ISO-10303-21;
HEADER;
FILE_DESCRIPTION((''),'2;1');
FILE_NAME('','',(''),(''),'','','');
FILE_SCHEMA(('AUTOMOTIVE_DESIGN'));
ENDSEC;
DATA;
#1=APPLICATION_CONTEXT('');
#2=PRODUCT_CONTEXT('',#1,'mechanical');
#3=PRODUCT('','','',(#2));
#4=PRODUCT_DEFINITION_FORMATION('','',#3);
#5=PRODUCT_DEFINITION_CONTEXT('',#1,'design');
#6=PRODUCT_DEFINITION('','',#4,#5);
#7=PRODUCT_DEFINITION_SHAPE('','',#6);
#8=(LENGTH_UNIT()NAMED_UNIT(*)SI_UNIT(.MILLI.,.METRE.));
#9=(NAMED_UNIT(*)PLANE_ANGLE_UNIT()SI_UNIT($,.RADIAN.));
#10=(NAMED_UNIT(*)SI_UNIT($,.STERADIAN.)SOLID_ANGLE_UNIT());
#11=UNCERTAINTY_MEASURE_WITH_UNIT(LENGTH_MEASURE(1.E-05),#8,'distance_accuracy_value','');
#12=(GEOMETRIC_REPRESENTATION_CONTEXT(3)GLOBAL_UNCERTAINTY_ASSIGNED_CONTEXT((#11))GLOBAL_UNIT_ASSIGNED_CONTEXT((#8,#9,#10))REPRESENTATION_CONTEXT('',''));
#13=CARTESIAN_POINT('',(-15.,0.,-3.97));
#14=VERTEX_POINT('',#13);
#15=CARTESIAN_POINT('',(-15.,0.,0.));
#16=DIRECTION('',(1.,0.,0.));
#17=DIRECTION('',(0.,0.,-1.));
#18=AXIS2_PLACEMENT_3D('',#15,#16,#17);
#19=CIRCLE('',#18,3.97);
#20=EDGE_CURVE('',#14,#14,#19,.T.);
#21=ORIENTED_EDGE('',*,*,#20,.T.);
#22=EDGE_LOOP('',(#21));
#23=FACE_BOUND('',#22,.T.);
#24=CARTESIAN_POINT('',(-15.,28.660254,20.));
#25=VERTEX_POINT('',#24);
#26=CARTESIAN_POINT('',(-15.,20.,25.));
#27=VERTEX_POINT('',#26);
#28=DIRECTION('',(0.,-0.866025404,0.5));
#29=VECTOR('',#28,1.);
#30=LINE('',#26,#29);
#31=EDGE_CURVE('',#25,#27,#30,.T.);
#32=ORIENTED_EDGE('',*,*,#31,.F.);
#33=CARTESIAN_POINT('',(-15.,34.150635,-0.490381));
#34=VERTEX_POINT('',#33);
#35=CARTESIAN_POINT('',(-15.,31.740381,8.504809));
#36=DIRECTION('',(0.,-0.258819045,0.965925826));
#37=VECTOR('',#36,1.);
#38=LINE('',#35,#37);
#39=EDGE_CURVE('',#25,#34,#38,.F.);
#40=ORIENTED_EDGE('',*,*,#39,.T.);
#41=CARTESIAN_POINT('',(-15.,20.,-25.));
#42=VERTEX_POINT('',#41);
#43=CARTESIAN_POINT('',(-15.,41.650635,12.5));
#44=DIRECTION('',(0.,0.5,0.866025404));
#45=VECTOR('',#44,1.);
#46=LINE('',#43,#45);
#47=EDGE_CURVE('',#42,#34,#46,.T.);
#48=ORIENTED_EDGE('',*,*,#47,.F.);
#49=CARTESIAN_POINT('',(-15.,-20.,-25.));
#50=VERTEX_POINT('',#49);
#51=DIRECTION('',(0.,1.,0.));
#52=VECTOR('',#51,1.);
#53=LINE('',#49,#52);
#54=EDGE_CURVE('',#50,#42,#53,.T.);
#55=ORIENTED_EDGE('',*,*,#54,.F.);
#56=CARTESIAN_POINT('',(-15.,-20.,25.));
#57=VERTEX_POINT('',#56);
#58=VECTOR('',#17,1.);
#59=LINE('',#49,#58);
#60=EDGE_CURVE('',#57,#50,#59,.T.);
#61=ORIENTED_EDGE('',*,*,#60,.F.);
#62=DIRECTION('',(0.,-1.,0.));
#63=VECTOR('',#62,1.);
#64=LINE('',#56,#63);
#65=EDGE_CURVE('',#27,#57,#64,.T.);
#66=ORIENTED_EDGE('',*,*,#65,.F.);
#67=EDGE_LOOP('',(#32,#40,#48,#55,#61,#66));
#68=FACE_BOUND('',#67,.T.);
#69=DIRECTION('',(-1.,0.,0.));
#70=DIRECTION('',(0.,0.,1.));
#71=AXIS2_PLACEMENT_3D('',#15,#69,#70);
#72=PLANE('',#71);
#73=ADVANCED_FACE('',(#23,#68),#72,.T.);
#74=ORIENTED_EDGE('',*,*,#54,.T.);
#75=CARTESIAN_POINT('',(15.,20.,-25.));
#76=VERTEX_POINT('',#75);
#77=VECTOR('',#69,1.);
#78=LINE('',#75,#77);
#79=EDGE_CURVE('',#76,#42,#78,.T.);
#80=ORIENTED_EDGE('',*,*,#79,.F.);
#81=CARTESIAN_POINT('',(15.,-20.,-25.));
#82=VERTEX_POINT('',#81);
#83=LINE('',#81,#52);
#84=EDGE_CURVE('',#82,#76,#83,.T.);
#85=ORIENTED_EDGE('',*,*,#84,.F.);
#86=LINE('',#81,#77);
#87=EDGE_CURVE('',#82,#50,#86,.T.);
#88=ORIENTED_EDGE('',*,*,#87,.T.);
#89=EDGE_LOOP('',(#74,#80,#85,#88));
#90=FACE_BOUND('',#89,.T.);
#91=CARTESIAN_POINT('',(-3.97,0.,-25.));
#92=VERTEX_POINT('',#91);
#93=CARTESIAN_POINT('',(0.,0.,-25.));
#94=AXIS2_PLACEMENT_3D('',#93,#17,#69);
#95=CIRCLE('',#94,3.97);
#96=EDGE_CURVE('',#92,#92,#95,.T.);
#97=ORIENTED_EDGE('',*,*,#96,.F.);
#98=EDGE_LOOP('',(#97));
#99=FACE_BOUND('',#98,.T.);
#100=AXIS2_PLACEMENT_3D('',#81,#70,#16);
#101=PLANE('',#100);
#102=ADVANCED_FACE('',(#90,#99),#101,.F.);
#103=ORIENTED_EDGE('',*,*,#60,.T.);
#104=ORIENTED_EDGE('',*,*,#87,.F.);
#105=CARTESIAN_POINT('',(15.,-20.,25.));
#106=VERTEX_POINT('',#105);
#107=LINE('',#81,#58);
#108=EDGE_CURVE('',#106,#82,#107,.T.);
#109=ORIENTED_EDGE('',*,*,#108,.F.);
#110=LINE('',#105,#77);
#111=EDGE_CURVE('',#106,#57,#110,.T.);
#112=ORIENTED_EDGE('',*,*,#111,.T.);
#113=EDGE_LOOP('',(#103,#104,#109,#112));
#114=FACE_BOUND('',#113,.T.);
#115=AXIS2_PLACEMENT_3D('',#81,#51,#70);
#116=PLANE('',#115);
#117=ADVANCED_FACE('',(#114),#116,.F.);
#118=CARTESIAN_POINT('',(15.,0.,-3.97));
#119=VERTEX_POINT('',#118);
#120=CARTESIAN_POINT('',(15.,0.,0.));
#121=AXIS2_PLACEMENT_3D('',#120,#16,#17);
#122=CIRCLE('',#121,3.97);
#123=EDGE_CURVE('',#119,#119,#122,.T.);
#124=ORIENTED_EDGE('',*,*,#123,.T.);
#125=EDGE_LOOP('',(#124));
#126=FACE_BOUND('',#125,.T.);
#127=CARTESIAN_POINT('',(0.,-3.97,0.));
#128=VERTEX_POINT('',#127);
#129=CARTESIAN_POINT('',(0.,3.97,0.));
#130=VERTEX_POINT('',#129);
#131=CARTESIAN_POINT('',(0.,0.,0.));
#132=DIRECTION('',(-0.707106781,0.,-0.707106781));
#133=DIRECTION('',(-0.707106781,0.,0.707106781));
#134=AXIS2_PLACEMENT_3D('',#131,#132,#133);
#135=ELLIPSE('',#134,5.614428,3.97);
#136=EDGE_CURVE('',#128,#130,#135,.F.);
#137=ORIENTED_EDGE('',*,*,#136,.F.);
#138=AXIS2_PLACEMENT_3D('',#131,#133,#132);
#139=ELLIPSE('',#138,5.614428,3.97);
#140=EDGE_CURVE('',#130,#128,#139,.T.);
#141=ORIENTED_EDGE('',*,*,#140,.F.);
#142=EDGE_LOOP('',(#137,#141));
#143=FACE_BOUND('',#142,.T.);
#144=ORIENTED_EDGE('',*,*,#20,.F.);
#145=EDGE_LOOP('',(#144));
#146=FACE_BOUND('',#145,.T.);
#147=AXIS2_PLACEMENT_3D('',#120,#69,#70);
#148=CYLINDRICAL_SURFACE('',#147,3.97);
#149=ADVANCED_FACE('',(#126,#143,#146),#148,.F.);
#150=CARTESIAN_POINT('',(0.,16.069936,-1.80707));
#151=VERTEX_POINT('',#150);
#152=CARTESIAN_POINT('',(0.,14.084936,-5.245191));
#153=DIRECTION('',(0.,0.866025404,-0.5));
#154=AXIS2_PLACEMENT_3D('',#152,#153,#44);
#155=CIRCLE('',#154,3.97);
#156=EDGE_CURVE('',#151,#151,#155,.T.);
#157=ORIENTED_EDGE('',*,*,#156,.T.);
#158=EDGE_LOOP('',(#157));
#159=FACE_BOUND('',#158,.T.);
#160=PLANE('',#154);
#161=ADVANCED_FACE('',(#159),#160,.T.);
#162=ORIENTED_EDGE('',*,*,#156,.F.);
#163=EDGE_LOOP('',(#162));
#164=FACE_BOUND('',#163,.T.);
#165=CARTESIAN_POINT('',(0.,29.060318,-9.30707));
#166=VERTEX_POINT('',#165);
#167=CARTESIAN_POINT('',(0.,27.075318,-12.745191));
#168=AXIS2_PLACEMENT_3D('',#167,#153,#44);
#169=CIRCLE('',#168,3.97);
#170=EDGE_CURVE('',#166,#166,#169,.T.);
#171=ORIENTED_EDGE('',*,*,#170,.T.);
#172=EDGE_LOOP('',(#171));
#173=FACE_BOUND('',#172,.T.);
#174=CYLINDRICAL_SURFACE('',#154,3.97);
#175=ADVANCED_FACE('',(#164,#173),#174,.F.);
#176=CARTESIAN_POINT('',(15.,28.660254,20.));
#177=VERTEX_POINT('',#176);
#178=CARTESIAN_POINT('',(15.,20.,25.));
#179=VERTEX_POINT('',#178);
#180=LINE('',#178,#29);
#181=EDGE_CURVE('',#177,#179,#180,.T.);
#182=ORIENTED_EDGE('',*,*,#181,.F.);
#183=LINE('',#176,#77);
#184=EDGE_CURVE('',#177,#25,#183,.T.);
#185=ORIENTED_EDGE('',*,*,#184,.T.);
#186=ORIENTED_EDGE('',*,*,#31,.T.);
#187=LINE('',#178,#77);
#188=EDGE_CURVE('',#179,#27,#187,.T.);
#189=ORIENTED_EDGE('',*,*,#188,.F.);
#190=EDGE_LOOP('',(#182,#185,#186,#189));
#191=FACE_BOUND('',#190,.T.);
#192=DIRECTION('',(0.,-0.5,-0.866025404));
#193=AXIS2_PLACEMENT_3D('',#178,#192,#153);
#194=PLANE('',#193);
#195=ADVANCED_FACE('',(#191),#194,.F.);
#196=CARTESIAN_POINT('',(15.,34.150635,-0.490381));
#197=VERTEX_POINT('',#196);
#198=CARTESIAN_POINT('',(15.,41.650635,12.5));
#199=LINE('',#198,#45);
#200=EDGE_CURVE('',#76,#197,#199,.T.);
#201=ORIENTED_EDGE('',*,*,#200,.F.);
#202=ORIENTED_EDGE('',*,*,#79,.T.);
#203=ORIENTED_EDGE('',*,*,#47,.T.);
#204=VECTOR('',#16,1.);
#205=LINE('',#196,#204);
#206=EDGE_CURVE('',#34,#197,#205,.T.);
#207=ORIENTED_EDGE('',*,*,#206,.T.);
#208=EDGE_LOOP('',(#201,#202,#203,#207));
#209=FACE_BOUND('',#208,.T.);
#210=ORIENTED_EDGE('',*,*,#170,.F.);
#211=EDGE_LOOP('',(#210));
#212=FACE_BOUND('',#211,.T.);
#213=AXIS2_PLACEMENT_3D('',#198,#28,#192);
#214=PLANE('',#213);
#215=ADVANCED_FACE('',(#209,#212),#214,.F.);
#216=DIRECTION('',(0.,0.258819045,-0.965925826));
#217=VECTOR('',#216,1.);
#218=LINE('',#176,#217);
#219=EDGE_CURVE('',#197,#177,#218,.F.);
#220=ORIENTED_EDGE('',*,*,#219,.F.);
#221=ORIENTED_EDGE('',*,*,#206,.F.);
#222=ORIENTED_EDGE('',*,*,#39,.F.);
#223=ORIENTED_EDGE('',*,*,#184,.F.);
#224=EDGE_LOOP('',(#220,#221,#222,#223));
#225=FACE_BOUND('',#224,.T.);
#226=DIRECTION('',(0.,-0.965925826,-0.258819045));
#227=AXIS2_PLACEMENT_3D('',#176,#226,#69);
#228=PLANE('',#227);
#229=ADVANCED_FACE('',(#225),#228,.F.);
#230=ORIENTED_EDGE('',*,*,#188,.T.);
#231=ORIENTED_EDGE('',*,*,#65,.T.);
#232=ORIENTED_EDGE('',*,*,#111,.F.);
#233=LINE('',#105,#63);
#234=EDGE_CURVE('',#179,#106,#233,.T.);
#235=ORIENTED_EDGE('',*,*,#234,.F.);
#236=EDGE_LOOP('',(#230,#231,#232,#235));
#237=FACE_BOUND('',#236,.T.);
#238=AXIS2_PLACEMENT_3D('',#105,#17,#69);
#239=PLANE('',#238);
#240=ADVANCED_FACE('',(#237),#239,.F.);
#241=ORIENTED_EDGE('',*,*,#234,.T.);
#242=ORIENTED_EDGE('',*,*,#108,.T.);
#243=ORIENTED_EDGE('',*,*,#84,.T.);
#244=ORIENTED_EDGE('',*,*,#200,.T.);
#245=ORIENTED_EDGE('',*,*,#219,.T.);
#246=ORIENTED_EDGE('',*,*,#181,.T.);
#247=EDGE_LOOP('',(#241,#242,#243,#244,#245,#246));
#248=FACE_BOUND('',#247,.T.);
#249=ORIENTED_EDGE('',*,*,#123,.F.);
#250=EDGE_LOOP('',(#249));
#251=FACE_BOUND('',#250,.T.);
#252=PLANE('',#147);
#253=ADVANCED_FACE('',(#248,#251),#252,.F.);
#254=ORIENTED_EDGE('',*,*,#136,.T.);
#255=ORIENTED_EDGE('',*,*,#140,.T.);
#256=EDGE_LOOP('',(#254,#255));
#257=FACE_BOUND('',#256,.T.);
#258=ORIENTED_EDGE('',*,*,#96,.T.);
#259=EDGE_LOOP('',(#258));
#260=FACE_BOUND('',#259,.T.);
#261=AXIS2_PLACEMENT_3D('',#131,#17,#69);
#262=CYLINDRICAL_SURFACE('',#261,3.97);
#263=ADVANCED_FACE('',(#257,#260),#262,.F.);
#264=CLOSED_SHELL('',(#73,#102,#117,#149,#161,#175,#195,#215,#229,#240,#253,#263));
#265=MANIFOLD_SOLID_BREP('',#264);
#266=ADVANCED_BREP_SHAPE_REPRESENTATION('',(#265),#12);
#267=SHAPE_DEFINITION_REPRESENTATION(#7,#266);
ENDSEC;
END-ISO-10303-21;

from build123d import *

# Parameters (mm, degrees)
ESBO_O1_R                = 3.97
RESSALTO_EXTRUS_O1_DEPTH = 15
ESBO_O3_R                = 3.97
CORTE_EXTRUS_O2_DEPTH    = 25
CHANFRO1_SIZE            = 15
ESBO_O4_R                = 3.97
CORTE_EXTRUS_O3_DEPTH    = 15


with BuildPart() as part:
    # Esboço1 → Ressalto-extrusão1 (new body, symmetric)
    with BuildSketch(Plane(origin=(0, 0, 0), x_dir=(0, 0, -1), z_dir=(1, 0, 0))):
        Polygon((25, -20), (-25, -20), (-25, 20), (-12.5, 41.650635095), (25, 20), align=None)
        Circle(ESBO_O1_R, mode=Mode.SUBTRACT)
    extrude(amount=RESSALTO_EXTRUS_O1_DEPTH, both=True)

    # Esboço3 → Corte-extrusão2 (cut)
    with BuildSketch(Plane(origin=(0, 0, -25), x_dir=(-1, 0, 0), z_dir=(0, 0, -1))):
        Circle(ESBO_O3_R)
    extrude(amount=-CORTE_EXTRUS_O2_DEPTH, mode=Mode.SUBTRACT)

    # Chanfro1
    chanfro1_edges = [part.edges().sort_by_distance(p)[0] for p in [
        (0, 41.650635095, 12.5),
    ]]
    chamfer(chanfro1_edges, length=CHANFRO1_SIZE)

    # Esboço4 → Corte-extrusão3 (cut)
    with BuildSketch(Plane(origin=(0, 25.825317547, -14.910254038), x_dir=(1, 0, 0), z_dir=(0, 0.866025404, -0.5))):
        with Locations((0, -2.5)):
            Circle(ESBO_O4_R)
    extrude(amount=-CORTE_EXTRUS_O3_DEPTH, mode=Mode.SUBTRACT)


solid = part.part
